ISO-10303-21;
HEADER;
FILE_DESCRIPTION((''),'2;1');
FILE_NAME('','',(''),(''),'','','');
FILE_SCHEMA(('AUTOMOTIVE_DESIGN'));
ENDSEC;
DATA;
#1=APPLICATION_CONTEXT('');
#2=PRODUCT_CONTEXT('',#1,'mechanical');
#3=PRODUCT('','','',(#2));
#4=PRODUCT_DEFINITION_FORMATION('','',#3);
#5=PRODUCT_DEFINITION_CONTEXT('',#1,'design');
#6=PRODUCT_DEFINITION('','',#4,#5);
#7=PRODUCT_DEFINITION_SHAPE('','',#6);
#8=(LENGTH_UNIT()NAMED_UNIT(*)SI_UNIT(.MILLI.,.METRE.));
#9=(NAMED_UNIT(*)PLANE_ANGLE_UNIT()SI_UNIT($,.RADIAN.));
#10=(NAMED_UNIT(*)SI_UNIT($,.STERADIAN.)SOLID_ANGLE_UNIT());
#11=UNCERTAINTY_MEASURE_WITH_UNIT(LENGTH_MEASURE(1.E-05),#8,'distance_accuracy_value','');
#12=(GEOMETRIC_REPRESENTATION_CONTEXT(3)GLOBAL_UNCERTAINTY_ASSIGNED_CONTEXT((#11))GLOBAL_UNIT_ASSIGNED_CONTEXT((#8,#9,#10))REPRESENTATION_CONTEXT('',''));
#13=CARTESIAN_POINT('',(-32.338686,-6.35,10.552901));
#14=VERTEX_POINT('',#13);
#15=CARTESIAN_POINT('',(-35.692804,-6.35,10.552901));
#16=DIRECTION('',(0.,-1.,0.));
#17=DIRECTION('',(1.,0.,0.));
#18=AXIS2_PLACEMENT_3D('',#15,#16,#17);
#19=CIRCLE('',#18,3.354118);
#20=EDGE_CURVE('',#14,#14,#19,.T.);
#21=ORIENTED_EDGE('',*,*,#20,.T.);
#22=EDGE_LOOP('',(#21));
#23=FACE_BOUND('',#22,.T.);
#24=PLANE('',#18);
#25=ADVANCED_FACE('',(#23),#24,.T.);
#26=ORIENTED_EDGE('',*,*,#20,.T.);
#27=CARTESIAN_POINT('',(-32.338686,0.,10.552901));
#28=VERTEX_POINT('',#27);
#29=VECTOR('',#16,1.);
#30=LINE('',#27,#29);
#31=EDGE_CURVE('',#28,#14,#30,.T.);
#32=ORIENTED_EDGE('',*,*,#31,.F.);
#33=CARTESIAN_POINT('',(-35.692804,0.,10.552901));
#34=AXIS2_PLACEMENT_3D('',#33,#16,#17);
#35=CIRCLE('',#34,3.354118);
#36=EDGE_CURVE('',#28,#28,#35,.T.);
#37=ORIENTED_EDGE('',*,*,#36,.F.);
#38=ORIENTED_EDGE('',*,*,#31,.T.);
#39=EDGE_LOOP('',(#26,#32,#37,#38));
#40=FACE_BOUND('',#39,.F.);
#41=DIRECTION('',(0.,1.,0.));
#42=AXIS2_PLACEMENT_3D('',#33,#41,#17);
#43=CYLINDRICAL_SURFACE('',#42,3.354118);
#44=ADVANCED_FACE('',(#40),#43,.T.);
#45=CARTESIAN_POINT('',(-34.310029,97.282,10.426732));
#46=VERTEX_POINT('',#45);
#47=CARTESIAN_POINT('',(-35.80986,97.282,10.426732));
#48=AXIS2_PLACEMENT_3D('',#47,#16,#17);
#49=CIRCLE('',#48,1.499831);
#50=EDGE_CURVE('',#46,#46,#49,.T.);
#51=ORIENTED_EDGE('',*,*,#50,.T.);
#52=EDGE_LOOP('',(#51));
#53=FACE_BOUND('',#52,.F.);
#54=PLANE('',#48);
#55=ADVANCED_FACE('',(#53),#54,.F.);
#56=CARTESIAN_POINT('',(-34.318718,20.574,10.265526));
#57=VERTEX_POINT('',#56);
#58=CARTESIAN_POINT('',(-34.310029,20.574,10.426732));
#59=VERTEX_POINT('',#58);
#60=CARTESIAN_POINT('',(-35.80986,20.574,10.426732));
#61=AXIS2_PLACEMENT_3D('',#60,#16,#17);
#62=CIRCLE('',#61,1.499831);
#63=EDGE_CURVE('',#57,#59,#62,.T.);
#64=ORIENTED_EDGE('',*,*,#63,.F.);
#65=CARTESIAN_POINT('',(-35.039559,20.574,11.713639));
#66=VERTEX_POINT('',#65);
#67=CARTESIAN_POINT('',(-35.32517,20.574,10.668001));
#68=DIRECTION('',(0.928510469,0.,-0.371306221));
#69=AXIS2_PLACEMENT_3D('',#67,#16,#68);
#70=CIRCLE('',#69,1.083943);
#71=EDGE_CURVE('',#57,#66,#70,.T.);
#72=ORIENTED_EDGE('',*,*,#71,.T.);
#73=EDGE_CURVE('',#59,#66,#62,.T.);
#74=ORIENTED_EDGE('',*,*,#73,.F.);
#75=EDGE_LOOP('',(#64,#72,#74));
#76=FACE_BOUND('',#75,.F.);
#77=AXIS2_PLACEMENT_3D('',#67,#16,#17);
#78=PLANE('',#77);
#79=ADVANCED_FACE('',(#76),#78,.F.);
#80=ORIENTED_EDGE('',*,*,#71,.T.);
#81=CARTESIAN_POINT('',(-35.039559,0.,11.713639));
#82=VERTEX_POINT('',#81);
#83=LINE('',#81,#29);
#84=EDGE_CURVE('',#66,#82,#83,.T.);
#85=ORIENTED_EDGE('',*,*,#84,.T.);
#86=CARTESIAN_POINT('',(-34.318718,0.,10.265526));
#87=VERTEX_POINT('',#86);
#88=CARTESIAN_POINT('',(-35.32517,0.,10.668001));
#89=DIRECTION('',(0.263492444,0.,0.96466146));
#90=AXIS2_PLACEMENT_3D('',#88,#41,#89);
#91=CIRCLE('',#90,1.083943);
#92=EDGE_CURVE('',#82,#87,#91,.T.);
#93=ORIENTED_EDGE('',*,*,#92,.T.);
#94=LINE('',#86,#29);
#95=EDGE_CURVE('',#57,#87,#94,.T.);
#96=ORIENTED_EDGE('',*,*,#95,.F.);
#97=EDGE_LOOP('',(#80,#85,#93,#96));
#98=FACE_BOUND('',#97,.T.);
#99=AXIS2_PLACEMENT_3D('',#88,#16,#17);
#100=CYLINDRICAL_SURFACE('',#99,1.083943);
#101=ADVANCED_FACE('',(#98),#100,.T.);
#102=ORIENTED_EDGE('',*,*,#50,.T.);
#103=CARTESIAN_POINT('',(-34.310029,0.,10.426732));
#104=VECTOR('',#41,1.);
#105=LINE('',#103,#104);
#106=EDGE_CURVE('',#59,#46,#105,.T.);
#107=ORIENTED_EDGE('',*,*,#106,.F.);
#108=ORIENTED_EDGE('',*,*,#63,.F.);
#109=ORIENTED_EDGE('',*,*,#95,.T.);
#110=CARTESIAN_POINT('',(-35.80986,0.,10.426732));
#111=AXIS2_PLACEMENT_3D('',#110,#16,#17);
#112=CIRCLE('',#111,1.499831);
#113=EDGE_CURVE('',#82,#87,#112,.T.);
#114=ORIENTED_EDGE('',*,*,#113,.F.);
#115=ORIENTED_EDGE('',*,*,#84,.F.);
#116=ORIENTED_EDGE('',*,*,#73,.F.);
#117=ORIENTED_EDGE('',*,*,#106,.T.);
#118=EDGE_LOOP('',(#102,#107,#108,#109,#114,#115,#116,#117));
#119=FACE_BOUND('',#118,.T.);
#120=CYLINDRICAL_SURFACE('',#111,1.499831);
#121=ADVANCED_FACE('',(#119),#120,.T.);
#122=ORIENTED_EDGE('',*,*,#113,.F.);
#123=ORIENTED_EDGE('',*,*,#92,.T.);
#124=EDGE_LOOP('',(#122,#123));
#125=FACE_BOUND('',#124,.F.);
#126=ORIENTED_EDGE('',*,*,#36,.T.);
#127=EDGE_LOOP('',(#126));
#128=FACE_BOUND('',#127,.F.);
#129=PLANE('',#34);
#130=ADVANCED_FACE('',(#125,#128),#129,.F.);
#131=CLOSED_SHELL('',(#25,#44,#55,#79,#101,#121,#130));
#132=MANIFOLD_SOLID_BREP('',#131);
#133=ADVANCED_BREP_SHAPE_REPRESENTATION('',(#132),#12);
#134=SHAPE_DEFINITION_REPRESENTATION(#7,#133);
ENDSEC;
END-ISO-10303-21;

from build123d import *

# Parameters (mm, degrees)
F0_R     = 3.354118
F1_DEPTH = 6.35
F2_R     = 1.499831
F3_DEPTH = 97.282
F4_R     = 1.083943
F5_DEPTH = 20.574


with BuildPart() as f1:
    # F0 (on Front) → F1 (new body)
    with BuildSketch(Plane.XZ):
        with Locations((-35.692804, 10.552901)):
            Circle(F0_R)
    extrude(amount=F1_DEPTH)

    # F2 (on Front) → F3 (join)
    with BuildSketch(Plane.XZ):
        with Locations((-35.80986, 10.426732)):
            Circle(F2_R)
    extrude(amount=-F3_DEPTH)

    # F4 (on Front) → F5 (join)
    with BuildSketch(Plane.XZ):
        with Locations((-35.32517, 10.668001)):
            Circle(F4_R)
    extrude(amount=-F5_DEPTH)


solid = f1.part
